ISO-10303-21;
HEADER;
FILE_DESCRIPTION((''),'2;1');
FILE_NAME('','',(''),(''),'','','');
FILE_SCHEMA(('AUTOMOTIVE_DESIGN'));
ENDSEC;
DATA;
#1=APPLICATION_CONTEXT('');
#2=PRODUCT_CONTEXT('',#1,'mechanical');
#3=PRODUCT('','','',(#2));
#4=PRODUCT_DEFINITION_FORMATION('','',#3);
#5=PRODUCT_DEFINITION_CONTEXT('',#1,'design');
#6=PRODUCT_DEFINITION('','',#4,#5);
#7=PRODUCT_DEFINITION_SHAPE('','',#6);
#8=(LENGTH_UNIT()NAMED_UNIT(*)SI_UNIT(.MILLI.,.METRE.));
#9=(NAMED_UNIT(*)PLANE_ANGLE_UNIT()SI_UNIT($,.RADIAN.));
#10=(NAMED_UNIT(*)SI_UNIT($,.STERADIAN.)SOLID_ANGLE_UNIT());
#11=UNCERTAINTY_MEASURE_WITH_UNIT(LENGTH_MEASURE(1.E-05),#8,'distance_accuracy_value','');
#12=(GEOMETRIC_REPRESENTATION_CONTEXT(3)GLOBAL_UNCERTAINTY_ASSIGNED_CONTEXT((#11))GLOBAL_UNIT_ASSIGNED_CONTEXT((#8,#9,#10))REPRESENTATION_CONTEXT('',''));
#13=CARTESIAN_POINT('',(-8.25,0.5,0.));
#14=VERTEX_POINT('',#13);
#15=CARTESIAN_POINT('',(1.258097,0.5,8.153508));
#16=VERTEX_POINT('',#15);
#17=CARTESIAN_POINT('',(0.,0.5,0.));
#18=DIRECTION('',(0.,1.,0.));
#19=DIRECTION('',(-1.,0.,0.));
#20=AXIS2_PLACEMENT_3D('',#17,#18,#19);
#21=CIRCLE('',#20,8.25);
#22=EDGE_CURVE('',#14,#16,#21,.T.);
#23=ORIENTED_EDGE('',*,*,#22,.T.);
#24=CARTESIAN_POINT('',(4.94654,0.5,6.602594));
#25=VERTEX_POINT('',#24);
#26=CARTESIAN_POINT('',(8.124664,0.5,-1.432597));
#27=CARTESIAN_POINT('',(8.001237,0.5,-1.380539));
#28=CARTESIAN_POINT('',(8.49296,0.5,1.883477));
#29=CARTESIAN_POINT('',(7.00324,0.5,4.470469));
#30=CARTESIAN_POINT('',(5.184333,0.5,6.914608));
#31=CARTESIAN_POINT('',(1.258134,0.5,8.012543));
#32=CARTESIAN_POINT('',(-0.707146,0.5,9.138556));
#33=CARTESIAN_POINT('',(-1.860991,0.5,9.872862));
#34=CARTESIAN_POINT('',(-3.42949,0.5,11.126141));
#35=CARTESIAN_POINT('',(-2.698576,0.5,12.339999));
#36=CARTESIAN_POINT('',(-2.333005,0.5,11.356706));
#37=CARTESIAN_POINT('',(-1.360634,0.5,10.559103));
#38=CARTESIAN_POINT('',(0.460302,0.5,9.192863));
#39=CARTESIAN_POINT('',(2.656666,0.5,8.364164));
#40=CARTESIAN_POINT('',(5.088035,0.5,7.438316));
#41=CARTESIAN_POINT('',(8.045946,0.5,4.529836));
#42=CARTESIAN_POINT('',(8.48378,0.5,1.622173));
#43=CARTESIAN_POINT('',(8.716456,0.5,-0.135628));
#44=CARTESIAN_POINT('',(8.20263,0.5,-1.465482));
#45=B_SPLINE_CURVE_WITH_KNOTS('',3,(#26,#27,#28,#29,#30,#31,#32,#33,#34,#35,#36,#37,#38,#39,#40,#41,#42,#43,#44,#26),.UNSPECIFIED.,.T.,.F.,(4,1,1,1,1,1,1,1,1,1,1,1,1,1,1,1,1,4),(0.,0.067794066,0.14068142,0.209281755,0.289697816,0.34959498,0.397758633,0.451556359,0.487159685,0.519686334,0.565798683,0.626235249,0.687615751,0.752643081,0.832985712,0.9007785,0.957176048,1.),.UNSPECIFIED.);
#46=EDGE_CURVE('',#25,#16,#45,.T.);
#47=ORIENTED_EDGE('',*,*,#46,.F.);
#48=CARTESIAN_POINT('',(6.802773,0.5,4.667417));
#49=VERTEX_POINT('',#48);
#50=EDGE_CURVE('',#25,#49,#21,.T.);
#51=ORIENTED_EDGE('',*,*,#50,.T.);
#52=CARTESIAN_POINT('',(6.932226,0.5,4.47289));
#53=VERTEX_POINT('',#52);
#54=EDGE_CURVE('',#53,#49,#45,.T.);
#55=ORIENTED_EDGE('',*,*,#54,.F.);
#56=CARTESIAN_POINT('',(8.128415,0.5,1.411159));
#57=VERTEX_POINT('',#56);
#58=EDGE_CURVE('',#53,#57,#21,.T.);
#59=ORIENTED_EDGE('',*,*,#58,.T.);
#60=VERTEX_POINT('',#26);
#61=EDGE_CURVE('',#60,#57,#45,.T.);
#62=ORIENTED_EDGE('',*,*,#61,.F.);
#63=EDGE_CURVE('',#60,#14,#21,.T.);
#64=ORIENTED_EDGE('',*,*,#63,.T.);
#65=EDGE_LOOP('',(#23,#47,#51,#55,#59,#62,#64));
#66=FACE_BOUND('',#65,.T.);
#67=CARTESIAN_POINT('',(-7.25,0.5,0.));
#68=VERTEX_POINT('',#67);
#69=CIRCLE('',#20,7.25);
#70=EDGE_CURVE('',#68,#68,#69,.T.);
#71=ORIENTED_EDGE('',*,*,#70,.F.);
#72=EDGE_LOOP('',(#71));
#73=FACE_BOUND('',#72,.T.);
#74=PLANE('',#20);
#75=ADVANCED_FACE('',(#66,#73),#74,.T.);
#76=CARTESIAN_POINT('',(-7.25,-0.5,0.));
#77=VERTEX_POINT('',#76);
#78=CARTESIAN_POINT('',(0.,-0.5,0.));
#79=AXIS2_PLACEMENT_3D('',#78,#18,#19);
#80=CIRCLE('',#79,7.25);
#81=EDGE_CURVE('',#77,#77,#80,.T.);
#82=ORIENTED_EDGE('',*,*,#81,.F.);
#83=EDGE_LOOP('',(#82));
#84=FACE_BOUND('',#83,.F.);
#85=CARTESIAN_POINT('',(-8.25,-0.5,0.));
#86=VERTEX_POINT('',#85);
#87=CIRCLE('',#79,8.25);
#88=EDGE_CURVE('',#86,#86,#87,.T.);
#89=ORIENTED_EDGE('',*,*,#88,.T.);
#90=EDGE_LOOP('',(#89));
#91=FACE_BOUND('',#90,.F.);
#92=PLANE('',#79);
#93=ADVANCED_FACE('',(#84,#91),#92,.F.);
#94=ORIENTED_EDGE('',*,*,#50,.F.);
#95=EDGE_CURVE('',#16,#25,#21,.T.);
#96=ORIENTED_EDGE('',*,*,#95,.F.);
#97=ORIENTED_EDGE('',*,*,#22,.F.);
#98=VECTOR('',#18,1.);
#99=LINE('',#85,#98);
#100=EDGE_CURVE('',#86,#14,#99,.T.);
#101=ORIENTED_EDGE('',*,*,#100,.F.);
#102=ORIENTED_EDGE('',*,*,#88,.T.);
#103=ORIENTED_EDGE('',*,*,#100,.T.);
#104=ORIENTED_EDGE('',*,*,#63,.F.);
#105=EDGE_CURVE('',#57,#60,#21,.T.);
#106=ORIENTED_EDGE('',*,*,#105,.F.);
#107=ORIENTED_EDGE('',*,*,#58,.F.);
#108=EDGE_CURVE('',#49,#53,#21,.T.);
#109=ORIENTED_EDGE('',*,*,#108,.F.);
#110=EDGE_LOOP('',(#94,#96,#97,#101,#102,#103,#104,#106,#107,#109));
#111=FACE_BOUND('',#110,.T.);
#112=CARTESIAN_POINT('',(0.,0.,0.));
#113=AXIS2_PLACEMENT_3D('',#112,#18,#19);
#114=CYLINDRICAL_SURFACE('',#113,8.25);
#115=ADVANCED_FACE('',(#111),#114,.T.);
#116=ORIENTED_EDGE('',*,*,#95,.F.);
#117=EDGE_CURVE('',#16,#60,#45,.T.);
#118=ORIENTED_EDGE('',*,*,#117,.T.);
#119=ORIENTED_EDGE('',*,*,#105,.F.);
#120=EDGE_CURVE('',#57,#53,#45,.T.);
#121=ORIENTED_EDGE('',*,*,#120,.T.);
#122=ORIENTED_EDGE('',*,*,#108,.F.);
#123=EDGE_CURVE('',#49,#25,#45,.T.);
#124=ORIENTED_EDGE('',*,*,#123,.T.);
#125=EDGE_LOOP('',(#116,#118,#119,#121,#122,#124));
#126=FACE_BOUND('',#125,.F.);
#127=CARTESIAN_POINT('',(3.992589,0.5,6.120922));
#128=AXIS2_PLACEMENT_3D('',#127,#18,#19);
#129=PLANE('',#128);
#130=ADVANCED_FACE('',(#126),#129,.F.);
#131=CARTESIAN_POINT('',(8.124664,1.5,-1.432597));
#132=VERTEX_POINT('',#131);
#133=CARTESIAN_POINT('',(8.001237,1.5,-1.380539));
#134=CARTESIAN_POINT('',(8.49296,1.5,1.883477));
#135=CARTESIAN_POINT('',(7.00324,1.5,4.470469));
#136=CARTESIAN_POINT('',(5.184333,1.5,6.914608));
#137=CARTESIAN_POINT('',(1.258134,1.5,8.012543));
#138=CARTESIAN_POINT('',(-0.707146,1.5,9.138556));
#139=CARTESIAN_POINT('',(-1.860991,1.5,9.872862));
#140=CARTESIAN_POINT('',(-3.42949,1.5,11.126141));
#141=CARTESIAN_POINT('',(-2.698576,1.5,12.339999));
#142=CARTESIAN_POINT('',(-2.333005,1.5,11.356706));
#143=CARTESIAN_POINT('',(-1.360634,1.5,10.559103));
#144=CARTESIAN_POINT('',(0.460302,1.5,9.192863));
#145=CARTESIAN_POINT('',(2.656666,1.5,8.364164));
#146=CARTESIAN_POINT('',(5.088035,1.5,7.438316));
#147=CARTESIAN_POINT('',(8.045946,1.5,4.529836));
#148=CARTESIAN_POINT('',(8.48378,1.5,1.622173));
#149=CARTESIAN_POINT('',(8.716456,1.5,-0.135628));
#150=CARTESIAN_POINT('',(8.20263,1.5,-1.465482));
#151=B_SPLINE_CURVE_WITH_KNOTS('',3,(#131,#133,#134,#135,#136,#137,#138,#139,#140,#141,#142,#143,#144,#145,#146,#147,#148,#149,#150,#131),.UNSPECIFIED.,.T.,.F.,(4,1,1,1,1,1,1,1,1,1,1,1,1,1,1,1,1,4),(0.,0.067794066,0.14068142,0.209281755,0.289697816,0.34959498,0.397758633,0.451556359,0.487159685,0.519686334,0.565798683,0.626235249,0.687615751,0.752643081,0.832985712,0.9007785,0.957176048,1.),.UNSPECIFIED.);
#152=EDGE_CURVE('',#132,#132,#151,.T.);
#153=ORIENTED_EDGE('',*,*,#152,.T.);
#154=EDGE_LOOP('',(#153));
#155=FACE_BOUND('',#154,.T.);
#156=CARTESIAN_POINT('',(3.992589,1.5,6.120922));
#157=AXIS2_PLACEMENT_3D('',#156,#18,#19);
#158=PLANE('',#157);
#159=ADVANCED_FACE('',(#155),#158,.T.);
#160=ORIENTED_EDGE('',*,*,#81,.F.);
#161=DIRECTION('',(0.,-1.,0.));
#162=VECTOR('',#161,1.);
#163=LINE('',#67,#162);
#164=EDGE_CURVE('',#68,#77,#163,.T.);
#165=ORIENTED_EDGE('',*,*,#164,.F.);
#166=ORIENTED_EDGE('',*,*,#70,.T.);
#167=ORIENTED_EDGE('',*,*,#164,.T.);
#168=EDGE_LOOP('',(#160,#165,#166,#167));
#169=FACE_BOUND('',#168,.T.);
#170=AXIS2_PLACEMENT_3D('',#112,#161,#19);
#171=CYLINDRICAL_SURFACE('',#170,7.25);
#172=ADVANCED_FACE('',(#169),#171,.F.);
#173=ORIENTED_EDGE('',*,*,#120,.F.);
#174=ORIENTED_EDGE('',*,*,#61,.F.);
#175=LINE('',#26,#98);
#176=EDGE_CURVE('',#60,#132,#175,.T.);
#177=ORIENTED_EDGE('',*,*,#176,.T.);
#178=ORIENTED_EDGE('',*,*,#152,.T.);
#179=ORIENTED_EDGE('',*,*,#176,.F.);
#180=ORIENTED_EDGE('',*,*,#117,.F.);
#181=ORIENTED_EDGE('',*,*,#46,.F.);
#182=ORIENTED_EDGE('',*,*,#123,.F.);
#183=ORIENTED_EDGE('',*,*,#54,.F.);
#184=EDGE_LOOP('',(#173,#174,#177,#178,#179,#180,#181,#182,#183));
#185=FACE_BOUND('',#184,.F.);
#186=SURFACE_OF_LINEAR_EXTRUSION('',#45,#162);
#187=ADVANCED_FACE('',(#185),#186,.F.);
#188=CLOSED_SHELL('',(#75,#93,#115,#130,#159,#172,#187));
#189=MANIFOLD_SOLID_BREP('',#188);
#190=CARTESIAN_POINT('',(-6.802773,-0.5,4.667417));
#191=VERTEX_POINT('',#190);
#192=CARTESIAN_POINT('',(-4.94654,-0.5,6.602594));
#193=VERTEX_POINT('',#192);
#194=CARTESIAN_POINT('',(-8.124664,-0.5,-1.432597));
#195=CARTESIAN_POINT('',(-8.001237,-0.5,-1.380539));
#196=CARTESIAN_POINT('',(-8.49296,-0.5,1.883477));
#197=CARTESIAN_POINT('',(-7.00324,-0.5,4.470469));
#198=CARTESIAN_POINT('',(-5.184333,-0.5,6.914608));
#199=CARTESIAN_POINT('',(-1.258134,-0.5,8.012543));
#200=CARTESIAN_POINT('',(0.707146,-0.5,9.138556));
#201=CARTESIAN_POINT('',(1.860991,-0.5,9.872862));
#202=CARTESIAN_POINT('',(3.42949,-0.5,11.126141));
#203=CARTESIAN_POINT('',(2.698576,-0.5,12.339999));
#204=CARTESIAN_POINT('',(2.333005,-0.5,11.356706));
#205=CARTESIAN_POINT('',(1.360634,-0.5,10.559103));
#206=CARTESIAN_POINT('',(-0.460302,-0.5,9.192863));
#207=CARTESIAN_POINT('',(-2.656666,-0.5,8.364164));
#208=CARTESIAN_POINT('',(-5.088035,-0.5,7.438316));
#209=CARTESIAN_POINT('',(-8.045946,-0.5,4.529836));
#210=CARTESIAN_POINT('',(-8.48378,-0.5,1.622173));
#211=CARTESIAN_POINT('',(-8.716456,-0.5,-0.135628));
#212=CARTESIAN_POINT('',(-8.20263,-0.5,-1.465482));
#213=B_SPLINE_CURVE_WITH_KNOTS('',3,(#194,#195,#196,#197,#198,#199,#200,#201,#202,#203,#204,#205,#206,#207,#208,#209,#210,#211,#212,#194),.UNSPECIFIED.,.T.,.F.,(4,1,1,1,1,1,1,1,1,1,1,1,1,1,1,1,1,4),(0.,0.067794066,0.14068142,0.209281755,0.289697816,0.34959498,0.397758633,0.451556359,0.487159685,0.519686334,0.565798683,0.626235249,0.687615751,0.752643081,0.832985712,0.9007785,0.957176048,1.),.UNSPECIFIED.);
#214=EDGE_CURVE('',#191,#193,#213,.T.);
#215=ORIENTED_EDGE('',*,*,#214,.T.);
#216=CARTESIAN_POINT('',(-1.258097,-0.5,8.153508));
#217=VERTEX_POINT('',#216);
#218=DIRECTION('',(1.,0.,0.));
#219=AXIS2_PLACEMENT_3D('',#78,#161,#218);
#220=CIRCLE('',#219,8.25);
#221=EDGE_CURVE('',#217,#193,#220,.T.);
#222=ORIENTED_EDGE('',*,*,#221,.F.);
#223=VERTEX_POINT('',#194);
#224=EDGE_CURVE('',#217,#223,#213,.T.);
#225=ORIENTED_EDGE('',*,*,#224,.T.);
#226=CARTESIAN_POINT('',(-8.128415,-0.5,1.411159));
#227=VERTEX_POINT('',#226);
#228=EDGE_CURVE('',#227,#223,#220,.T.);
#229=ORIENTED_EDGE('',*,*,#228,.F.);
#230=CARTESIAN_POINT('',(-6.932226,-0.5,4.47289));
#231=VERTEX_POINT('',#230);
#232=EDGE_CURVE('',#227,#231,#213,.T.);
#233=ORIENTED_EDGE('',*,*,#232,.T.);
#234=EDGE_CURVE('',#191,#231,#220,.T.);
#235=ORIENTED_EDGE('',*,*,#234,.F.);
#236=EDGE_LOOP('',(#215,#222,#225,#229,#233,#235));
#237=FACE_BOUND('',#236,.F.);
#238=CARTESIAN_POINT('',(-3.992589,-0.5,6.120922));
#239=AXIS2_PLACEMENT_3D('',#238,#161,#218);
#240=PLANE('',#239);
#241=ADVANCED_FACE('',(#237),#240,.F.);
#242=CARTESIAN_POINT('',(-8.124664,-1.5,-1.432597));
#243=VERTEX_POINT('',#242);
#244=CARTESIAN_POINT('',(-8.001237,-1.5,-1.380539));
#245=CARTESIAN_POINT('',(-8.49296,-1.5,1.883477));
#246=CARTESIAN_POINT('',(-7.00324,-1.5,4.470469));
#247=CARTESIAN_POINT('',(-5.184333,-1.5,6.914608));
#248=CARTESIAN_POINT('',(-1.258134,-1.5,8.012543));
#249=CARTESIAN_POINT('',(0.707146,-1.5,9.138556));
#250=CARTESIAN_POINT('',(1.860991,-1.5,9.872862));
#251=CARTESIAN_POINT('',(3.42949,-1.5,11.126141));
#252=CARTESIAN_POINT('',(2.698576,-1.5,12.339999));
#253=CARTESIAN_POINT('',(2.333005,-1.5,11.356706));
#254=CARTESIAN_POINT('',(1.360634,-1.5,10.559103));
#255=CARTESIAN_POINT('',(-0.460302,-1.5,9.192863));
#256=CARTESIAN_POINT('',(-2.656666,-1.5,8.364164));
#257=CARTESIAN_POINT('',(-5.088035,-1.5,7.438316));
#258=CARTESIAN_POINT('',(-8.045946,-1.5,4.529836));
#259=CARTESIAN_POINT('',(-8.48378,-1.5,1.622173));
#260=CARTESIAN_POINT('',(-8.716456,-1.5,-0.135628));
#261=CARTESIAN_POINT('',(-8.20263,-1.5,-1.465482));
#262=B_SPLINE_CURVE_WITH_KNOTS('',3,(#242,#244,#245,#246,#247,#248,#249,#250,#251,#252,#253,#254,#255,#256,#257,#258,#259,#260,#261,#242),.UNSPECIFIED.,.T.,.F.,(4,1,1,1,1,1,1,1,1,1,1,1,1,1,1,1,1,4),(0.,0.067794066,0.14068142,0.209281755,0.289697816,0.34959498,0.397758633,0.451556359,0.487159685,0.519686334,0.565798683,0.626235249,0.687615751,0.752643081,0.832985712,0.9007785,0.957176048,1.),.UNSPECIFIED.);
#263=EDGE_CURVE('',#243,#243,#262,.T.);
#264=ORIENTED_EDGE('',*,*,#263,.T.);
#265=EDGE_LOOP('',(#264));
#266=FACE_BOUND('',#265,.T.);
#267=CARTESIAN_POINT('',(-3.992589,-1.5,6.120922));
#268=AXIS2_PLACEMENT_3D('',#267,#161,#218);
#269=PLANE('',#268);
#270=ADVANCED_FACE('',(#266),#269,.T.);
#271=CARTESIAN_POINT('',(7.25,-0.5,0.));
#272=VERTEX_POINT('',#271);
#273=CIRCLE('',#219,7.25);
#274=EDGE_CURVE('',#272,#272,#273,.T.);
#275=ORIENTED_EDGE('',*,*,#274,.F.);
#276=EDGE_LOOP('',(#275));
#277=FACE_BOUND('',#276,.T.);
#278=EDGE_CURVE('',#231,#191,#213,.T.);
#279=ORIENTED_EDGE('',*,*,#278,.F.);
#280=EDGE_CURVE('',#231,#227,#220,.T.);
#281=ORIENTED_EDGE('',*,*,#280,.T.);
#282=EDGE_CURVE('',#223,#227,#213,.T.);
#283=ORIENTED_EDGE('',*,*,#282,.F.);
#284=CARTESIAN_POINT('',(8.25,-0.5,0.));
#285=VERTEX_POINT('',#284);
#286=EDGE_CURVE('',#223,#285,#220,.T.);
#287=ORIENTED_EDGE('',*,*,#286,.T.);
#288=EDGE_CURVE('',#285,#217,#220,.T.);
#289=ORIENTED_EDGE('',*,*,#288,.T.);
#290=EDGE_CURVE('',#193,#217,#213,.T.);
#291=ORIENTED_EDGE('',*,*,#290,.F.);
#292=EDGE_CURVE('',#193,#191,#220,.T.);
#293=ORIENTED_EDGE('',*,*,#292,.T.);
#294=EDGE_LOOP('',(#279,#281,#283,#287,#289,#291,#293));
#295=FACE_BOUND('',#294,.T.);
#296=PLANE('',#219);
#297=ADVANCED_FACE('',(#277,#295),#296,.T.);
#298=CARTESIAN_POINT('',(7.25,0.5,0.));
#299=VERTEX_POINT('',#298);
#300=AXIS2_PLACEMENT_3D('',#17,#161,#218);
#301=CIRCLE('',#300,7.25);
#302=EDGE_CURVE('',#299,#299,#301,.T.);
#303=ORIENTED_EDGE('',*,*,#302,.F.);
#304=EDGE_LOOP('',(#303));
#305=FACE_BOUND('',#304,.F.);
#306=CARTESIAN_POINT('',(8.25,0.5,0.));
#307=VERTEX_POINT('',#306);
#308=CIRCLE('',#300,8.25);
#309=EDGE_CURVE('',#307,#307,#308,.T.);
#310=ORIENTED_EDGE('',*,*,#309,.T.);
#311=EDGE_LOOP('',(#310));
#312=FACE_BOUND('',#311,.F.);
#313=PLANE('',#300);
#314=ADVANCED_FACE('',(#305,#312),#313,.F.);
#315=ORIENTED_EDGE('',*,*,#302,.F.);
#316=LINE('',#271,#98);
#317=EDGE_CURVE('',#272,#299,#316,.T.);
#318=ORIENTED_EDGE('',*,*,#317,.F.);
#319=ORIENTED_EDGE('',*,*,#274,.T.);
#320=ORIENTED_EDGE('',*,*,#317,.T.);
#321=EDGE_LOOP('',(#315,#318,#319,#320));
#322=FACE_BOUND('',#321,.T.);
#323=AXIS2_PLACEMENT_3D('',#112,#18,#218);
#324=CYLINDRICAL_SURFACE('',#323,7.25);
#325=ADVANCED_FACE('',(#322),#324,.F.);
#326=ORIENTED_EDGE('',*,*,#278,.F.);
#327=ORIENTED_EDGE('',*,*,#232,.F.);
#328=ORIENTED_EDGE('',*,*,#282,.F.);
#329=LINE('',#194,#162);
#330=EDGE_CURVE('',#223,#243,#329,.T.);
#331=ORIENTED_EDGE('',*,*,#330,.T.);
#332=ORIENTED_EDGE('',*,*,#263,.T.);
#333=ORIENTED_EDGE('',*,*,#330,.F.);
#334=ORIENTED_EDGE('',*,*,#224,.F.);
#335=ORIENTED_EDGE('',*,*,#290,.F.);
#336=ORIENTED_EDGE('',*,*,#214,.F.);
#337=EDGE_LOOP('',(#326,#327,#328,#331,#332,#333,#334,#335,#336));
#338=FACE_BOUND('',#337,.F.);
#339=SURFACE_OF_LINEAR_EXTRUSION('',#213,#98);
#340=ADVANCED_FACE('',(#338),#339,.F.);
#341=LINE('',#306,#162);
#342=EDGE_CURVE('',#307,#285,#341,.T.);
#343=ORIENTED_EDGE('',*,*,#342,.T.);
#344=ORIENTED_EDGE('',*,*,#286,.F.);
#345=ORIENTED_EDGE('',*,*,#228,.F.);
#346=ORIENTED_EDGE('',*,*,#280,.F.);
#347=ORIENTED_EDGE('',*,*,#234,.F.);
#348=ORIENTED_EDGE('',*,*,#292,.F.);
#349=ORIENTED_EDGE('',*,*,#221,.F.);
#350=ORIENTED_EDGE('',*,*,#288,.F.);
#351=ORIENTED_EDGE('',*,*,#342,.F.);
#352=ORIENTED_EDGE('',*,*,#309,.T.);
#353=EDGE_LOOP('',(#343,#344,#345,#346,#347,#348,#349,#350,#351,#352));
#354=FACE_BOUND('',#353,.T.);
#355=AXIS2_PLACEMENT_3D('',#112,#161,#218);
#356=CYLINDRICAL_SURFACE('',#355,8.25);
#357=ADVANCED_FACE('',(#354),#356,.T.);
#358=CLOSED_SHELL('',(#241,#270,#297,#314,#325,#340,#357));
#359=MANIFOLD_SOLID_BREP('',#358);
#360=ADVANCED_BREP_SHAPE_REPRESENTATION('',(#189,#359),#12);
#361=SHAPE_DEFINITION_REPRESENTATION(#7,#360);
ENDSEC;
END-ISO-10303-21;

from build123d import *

# Parameters (mm, degrees)
F0_R     = 8.25
F0_R_2   = 7.25
F1_DEPTH = 0.5
F3_DEPTH = 1


with BuildPart() as f1:
    # F0 (on Front) → F1 (new body, symmetric)
    with BuildSketch(Plane.XZ):
        Circle(F0_R)
        Circle(F0_R_2, mode=Mode.SUBTRACT)
    extrude(amount=F1_DEPTH, both=True)

    # F2 (on face) → F3 (join)
    with BuildSketch(Plane.XZ.offset(0.5)):
        with BuildLine():
            add(Edge.make_bspline(
                [(-8.1246639624, -1.4325974658), (-8.0012365538, -1.3805387248), (-8.4929602934, 1.8834769724), (-7.0032404904, 4.4704693253), (-5.1843330358, 6.9146075829), (-1.2581337885, 8.0125426978), (0.7071460185, 9.1385561851), (1.8609905179, 9.8728615322), (3.4294898661, 11.126140564), (2.6985760795, 12.339998745), (2.333005471, 11.3567057944), (1.3606340209, 10.5591027439), (-0.4603020541, 9.1928631216), (-2.6566659062, 8.3641644666), (-5.0880353086, 7.4383157194), (-8.0459457202, 4.5298361917), (-8.483780116, 1.6221730046), (-8.7164555468, -0.135628166), (-8.2026302166, -1.4654817747), (-8.1246639624, -1.4325974658)],
                knots=[0, 0, 0, 0, 0.067794066, 0.1406814205, 0.2092817553, 0.2896978164, 0.3495949802, 0.3977586326, 0.4515563586, 0.4871596847, 0.5196863344, 0.5657986833, 0.6262352494, 0.6876157515, 0.7526430807, 0.8329857117, 0.9007785001, 0.9571760483, 1, 1, 1, 1], degree=3))
        make_face()
    extrude(amount=F3_DEPTH)


with BuildPart() as f4_1:
    # F4: instance of F1
    add(f1.part.mirror(Plane.YZ))


with BuildPart() as f5_1:
    # F5: instance of F4_1
    add(f4_1.part.mirror(Plane.XZ))


solid = Compound([f1.part, f5_1.part])
